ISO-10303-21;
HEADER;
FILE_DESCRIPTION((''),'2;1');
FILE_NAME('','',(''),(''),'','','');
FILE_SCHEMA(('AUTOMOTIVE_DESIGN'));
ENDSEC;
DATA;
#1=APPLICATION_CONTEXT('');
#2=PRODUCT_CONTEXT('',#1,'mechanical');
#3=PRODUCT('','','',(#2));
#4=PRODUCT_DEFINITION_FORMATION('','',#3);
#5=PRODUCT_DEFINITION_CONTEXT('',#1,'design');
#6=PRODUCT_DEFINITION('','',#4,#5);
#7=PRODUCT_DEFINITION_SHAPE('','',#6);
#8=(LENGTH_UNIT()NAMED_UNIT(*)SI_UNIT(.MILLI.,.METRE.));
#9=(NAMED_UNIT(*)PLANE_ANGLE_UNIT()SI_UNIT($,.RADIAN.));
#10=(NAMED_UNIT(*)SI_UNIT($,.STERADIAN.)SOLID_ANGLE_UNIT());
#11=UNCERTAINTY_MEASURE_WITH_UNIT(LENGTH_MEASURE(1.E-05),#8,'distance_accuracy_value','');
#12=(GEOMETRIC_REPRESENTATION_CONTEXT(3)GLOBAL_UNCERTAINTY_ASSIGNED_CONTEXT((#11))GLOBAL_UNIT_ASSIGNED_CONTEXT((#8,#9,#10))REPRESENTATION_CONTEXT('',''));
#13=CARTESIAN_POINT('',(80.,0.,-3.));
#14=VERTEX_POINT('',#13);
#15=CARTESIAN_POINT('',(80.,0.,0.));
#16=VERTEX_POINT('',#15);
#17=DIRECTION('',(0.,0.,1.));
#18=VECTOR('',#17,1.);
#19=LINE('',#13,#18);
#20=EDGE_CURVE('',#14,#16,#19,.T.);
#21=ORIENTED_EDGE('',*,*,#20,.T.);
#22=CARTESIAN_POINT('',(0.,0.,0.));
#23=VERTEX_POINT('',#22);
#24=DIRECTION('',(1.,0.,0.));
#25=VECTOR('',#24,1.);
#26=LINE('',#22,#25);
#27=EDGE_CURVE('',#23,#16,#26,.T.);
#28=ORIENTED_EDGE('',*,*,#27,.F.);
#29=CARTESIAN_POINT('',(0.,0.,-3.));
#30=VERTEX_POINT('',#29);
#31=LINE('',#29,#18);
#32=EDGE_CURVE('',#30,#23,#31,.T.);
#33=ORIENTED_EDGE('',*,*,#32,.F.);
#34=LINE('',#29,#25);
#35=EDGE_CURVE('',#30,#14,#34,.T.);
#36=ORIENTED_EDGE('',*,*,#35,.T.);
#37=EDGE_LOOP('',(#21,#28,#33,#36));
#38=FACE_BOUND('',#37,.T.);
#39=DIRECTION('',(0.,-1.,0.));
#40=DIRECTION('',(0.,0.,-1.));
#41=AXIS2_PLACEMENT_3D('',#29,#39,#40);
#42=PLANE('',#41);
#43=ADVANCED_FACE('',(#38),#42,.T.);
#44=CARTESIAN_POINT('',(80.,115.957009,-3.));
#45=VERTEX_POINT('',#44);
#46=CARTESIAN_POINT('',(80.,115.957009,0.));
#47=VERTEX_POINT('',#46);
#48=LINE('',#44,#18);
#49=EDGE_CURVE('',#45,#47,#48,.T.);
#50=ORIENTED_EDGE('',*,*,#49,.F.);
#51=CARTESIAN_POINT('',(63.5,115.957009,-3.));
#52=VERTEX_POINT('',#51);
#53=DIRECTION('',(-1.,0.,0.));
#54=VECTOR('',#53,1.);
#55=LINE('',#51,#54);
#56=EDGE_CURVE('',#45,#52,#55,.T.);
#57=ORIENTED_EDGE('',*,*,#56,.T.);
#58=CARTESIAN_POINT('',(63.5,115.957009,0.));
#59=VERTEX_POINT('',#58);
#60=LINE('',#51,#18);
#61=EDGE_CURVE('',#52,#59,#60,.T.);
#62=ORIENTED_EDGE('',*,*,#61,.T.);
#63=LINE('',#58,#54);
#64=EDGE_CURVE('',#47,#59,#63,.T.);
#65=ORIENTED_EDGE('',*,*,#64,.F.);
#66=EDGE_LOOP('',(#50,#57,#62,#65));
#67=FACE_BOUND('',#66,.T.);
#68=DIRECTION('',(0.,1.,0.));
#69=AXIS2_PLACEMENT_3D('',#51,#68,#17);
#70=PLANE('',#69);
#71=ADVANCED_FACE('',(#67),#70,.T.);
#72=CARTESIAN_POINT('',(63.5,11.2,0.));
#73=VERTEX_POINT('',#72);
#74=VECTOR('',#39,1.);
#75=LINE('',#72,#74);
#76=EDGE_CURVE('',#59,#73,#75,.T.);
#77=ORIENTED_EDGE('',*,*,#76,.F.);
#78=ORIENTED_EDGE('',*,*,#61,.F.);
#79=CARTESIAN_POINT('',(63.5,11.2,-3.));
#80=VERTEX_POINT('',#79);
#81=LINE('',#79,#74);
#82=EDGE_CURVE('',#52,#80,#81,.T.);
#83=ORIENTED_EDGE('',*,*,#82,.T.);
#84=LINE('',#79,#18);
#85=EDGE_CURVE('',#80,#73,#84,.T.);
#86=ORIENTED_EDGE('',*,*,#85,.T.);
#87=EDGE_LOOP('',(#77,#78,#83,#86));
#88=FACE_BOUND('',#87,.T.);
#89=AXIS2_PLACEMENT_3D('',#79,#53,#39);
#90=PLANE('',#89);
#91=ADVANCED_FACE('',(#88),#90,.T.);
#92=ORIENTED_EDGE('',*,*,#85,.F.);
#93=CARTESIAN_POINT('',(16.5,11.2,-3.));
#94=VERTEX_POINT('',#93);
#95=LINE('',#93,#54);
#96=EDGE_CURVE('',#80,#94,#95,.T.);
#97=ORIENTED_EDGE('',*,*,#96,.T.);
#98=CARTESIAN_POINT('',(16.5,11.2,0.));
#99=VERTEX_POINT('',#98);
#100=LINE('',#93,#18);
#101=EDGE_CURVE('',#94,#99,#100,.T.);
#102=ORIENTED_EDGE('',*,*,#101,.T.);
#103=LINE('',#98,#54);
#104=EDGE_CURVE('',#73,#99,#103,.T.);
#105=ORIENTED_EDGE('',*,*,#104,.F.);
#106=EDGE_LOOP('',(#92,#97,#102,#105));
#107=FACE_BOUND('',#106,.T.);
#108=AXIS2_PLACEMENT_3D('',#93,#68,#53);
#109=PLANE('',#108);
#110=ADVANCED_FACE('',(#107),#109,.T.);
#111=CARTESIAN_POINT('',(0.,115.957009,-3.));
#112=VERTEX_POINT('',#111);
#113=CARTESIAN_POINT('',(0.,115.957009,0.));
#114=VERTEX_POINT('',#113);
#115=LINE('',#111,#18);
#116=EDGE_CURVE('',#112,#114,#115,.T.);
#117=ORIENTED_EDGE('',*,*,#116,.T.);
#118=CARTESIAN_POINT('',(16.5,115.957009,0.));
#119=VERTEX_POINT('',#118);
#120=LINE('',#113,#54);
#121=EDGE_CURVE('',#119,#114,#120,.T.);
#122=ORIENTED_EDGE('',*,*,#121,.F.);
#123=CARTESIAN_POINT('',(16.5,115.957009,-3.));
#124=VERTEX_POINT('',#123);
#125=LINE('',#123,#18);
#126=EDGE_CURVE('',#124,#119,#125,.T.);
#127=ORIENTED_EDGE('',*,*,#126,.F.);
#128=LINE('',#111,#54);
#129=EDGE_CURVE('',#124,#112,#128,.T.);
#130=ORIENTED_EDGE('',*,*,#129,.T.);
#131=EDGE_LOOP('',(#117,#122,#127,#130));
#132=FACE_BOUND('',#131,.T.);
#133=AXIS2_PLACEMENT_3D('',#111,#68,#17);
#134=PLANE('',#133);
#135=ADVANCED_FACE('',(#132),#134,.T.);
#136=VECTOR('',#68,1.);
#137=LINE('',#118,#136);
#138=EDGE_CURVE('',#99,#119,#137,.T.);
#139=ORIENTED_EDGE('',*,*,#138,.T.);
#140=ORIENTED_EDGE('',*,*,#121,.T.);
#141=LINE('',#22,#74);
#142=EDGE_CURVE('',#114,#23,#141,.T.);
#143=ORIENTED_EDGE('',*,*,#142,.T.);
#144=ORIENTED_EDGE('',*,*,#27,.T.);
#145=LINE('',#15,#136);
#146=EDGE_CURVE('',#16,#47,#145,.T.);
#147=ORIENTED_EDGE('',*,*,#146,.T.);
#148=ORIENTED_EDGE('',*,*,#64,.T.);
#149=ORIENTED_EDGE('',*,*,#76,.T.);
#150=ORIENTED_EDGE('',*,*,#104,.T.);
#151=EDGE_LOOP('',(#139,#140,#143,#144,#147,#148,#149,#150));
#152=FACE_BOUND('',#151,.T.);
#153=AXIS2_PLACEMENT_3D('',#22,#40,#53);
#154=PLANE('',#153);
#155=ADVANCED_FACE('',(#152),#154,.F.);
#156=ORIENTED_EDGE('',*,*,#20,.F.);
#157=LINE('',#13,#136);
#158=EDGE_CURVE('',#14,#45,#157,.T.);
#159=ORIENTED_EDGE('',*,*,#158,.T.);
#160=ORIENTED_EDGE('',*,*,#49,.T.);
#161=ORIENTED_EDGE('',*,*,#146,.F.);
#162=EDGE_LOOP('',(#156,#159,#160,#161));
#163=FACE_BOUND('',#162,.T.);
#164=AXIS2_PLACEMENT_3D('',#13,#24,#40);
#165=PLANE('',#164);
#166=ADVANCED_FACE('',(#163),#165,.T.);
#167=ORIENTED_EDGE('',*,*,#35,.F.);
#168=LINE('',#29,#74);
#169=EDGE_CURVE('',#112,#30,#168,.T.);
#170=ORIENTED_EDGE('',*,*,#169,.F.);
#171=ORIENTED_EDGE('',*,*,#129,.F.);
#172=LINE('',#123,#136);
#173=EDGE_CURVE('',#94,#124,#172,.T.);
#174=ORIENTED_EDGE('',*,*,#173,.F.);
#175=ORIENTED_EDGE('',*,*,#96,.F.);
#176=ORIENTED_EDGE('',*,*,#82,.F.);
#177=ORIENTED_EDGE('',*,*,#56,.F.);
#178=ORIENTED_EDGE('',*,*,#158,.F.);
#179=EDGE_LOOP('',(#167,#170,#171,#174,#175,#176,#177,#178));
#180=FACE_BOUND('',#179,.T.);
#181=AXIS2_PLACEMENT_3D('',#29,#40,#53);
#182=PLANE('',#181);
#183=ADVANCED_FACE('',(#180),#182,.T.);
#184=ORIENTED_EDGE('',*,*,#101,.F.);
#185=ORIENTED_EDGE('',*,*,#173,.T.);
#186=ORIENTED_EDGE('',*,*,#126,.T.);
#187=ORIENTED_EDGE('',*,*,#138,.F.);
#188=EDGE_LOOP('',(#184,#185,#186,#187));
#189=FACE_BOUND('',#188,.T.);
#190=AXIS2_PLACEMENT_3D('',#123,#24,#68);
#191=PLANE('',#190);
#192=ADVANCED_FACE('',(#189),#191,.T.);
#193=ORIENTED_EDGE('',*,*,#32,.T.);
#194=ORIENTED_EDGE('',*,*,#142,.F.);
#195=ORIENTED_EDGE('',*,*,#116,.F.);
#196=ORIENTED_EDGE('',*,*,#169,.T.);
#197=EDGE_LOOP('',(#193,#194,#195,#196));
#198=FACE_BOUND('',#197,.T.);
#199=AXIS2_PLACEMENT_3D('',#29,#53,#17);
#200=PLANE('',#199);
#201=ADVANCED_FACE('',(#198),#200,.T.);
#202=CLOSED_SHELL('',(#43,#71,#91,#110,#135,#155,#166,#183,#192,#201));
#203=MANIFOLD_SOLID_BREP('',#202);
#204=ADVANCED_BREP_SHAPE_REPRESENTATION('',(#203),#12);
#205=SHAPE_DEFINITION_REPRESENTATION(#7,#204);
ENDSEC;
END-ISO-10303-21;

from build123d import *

# Parameters (mm, degrees)
BOSS_EXTRUDE1_DEPTH = 3


with BuildPart() as part:
    # Sketch1 → Boss-Extrude1 (new body)
    with BuildSketch(Plane.XY):
        Polygon((0, 0), (80, 0), (80, 115.957009142), (63.5, 115.957009142), (63.5, 11.2), (16.5, 11.2), (16.5, 115.957009142), (0, 115.957009142), align=None)
    extrude(amount=-BOSS_EXTRUDE1_DEPTH)


solid = part.part
